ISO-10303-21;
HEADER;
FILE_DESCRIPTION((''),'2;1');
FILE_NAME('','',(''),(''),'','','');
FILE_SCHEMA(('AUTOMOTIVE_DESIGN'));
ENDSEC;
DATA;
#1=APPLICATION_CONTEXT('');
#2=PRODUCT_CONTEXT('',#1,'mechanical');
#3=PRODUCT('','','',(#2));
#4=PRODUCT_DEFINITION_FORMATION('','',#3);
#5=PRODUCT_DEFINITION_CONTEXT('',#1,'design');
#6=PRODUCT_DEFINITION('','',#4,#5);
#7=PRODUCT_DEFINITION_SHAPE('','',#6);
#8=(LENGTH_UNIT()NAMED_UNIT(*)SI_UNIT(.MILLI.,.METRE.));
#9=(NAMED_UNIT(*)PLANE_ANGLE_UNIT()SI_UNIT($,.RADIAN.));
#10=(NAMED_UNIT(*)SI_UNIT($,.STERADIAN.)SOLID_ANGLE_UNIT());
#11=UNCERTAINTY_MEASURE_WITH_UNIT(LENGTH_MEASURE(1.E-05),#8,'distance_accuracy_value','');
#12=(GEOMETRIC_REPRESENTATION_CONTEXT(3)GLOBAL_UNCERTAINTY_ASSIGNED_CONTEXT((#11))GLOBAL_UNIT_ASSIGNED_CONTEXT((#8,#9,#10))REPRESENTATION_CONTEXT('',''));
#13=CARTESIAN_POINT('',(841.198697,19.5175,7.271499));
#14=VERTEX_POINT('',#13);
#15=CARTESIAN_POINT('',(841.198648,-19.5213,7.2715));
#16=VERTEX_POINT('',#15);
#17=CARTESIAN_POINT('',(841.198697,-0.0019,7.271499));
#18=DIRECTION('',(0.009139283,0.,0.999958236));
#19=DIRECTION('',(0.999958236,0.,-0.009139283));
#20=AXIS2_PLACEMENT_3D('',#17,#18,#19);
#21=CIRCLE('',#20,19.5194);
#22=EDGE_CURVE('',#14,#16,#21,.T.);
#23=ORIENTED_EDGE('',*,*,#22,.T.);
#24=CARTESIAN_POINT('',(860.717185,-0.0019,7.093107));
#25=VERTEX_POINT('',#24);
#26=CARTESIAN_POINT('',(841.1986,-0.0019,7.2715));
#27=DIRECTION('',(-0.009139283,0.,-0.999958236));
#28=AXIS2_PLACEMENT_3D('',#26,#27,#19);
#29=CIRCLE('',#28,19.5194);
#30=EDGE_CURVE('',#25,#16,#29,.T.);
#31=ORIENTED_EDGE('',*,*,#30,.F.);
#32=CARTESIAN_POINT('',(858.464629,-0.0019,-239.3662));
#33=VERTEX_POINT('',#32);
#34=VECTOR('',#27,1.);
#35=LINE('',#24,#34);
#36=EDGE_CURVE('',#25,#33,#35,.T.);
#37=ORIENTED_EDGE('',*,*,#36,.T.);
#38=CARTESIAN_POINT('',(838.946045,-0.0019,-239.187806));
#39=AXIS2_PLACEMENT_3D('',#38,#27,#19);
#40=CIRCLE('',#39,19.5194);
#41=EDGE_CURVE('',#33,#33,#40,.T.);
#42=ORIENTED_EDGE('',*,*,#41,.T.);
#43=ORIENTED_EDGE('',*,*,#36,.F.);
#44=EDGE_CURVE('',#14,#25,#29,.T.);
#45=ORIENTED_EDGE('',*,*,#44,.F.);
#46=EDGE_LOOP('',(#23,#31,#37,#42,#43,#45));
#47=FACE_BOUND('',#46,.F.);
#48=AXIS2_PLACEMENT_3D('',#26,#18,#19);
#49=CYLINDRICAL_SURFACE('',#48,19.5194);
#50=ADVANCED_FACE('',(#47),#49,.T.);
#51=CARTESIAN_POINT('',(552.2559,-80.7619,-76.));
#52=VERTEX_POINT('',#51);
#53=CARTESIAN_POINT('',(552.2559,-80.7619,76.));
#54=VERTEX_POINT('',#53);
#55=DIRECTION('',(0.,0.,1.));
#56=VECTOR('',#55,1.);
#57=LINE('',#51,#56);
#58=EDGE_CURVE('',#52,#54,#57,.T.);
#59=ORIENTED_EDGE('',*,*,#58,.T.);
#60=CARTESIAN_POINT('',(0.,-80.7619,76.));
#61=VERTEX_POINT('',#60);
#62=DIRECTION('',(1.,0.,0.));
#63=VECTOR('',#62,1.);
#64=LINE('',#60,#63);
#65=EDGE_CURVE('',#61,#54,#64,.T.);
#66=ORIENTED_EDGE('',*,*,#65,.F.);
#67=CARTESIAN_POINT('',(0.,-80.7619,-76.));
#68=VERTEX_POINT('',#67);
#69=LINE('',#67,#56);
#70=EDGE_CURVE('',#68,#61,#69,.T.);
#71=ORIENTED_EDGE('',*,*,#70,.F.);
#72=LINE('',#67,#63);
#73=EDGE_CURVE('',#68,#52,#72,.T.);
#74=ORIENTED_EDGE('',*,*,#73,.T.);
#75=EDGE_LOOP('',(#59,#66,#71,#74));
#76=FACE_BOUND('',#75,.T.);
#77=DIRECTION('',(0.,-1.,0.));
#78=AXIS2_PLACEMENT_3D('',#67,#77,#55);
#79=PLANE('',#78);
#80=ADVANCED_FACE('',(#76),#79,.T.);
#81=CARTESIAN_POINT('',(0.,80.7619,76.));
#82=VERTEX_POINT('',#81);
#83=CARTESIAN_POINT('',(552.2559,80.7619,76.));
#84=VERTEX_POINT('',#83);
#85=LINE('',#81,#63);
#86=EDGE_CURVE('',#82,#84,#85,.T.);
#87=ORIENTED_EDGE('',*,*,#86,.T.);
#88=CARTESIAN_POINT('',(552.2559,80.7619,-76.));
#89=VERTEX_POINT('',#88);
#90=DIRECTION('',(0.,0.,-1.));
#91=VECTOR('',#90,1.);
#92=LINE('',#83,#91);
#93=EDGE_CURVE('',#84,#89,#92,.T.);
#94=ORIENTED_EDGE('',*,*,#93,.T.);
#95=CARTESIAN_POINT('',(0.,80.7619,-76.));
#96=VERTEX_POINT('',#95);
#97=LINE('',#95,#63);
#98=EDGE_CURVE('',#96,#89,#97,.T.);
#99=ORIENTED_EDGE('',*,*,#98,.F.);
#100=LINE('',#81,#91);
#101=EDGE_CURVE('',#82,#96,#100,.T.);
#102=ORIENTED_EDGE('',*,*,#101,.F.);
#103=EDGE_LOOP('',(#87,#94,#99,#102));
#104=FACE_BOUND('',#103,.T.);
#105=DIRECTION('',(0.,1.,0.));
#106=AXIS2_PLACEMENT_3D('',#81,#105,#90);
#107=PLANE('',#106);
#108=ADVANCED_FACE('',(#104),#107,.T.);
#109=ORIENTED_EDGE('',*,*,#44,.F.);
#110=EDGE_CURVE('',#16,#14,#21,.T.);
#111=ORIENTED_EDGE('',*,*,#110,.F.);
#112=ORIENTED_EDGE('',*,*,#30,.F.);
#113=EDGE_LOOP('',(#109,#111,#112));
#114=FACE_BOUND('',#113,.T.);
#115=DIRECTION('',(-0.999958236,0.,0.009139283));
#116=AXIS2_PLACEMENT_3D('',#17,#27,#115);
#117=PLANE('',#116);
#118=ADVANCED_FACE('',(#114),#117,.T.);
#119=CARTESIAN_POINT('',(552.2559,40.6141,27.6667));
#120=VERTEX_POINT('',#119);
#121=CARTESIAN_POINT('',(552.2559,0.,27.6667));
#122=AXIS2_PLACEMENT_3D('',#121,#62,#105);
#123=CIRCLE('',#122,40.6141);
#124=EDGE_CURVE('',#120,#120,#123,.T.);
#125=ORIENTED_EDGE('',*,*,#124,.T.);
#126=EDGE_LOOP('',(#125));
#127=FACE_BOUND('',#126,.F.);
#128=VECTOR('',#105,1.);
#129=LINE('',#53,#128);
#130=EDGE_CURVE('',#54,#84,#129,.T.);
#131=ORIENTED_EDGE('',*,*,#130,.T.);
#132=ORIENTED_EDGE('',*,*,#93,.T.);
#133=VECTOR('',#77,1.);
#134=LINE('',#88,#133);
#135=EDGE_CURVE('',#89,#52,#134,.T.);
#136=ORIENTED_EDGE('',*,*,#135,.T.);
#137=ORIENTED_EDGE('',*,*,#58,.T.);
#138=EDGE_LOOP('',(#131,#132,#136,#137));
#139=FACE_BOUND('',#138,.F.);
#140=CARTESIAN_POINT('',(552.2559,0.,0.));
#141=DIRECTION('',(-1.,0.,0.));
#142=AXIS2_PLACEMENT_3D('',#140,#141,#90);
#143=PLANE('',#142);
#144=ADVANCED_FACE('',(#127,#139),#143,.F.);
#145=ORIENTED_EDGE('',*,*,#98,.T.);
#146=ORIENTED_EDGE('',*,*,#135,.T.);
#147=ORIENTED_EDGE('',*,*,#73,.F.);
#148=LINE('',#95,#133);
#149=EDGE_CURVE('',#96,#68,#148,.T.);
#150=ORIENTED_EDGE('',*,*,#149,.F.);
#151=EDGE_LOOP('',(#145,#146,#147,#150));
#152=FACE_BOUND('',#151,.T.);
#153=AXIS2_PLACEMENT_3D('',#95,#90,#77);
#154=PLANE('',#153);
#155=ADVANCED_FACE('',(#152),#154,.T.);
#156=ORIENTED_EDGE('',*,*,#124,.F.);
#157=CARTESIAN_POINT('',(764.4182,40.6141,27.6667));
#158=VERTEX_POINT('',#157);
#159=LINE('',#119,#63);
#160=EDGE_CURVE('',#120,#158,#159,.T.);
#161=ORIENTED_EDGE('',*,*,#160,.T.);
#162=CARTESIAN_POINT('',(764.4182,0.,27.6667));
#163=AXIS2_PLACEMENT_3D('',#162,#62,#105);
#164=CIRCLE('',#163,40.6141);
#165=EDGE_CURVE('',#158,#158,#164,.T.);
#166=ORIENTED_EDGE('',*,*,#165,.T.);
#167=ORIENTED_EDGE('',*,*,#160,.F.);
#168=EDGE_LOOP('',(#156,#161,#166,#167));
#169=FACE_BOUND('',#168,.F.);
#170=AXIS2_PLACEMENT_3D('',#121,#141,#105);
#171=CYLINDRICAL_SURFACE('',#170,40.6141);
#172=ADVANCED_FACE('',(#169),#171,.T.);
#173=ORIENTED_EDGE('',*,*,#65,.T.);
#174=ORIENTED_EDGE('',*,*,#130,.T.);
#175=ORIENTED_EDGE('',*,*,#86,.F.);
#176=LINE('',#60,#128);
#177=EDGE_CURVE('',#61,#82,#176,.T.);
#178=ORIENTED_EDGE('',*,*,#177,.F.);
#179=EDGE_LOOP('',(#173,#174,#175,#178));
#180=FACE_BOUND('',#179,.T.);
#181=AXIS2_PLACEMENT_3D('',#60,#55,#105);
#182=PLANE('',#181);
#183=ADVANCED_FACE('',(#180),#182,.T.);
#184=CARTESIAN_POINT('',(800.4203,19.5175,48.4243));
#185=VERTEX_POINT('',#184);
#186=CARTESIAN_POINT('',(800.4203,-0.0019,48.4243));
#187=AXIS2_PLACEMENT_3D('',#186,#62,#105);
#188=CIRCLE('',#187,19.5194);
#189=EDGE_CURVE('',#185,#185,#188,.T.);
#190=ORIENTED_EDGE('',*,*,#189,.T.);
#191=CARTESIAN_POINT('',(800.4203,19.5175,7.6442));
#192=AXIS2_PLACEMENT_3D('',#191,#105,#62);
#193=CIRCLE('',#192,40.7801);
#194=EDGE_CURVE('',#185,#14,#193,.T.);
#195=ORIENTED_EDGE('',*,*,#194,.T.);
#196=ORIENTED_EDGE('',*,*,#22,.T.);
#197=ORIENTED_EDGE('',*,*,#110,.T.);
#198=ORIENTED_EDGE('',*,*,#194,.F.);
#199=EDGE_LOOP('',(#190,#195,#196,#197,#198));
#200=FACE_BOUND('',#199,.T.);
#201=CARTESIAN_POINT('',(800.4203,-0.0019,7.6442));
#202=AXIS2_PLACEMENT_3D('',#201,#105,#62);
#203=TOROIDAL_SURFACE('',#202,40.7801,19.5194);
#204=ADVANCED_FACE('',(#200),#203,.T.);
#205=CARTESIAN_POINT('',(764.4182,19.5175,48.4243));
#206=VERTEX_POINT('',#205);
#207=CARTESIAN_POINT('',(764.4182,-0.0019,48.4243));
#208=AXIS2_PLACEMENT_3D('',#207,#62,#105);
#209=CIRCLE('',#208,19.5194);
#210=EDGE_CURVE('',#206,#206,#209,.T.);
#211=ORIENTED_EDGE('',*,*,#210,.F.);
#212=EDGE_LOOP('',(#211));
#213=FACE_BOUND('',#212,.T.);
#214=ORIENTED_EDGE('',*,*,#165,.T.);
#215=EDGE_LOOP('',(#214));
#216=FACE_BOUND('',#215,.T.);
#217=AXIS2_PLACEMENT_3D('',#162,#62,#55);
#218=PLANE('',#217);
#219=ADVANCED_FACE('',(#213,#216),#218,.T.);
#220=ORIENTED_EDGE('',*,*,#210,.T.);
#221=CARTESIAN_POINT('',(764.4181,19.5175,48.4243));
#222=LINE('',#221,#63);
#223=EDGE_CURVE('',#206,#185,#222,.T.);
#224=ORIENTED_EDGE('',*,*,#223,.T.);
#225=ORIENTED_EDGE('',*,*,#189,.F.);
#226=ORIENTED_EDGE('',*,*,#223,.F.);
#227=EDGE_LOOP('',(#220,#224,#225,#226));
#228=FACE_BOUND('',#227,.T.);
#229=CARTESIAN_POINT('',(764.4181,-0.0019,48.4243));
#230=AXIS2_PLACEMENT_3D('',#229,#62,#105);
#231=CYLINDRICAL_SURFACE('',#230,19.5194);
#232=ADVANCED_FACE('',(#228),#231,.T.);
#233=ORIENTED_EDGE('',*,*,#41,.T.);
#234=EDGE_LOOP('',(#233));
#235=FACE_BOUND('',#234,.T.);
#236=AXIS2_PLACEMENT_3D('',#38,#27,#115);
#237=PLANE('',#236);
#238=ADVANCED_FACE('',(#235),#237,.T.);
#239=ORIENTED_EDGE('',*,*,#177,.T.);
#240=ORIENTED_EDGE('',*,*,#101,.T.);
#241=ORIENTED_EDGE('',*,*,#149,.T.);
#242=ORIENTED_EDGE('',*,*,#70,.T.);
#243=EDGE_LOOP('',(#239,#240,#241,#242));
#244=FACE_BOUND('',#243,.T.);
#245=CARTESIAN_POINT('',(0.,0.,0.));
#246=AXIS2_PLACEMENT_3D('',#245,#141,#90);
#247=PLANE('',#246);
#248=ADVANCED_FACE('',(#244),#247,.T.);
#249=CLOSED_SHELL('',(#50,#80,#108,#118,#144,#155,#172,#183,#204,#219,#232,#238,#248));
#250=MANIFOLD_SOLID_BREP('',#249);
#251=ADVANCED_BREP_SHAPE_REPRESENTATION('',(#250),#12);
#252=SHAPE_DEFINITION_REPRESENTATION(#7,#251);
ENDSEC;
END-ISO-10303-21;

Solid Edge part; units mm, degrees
sketch "Sketch1" plane through (0, 0, 0) normal (1, 0, 0) x (0, 1, 0)
  line L0 (80.7619, -76) -> (-80.7619, -76)
  line L1 (-80.7619, -76) -> (-80.7619, 76)
  line L2 (-80.7619, 76) -> (80.7619, 76)
  line L3 (80.7619, 76) -> (80.7619, -76)
extrude "Protrusion1" add sketch "Sketch1" along normal blind 552.2559
sketch "Sketch2" plane through (552.2559, 0, 0) normal (1, 0, 0) x (0, 1, 0)
  circle A0 centre (0, 27.6667) radius 40.6141
extrude "ExtrudedProtrusion_2" add sketch "Sketch2" along normal blind 212.1623
sketch "Sketch3" plane through (276.1279, -0.0019, 0) normal (0, -1, 0) x (1, 0, 0)
  arc A0 (524.2924, 48.4242) -> (565.0707, 7.2715) centre (524.2924, 7.6442) cw
  line L0 (488.2902, 48.4242) -> (524.2924, 48.4242)
sketch "Sketch4" plane through (764.4182, 0, 27.6667) normal (1, 0, 0) x (0, 1, 0)
  circle A0 centre (-0.0019, 20.7576) radius 19.5194
sweep "SweptProtrusion_2" add profiles "Sketch4" path "Sketch3"
sketch "Sketch5" plane through (841.1986, -0.0019, 7.2715) normal (-0.0091, 0, -1) x (1, 0, -0.0091)
  circle A0 centre (0, 0) radius 19.5194
extrude "Protrusion2" add sketch "Sketch5" along normal up to vertex (246.4696 mm away)
